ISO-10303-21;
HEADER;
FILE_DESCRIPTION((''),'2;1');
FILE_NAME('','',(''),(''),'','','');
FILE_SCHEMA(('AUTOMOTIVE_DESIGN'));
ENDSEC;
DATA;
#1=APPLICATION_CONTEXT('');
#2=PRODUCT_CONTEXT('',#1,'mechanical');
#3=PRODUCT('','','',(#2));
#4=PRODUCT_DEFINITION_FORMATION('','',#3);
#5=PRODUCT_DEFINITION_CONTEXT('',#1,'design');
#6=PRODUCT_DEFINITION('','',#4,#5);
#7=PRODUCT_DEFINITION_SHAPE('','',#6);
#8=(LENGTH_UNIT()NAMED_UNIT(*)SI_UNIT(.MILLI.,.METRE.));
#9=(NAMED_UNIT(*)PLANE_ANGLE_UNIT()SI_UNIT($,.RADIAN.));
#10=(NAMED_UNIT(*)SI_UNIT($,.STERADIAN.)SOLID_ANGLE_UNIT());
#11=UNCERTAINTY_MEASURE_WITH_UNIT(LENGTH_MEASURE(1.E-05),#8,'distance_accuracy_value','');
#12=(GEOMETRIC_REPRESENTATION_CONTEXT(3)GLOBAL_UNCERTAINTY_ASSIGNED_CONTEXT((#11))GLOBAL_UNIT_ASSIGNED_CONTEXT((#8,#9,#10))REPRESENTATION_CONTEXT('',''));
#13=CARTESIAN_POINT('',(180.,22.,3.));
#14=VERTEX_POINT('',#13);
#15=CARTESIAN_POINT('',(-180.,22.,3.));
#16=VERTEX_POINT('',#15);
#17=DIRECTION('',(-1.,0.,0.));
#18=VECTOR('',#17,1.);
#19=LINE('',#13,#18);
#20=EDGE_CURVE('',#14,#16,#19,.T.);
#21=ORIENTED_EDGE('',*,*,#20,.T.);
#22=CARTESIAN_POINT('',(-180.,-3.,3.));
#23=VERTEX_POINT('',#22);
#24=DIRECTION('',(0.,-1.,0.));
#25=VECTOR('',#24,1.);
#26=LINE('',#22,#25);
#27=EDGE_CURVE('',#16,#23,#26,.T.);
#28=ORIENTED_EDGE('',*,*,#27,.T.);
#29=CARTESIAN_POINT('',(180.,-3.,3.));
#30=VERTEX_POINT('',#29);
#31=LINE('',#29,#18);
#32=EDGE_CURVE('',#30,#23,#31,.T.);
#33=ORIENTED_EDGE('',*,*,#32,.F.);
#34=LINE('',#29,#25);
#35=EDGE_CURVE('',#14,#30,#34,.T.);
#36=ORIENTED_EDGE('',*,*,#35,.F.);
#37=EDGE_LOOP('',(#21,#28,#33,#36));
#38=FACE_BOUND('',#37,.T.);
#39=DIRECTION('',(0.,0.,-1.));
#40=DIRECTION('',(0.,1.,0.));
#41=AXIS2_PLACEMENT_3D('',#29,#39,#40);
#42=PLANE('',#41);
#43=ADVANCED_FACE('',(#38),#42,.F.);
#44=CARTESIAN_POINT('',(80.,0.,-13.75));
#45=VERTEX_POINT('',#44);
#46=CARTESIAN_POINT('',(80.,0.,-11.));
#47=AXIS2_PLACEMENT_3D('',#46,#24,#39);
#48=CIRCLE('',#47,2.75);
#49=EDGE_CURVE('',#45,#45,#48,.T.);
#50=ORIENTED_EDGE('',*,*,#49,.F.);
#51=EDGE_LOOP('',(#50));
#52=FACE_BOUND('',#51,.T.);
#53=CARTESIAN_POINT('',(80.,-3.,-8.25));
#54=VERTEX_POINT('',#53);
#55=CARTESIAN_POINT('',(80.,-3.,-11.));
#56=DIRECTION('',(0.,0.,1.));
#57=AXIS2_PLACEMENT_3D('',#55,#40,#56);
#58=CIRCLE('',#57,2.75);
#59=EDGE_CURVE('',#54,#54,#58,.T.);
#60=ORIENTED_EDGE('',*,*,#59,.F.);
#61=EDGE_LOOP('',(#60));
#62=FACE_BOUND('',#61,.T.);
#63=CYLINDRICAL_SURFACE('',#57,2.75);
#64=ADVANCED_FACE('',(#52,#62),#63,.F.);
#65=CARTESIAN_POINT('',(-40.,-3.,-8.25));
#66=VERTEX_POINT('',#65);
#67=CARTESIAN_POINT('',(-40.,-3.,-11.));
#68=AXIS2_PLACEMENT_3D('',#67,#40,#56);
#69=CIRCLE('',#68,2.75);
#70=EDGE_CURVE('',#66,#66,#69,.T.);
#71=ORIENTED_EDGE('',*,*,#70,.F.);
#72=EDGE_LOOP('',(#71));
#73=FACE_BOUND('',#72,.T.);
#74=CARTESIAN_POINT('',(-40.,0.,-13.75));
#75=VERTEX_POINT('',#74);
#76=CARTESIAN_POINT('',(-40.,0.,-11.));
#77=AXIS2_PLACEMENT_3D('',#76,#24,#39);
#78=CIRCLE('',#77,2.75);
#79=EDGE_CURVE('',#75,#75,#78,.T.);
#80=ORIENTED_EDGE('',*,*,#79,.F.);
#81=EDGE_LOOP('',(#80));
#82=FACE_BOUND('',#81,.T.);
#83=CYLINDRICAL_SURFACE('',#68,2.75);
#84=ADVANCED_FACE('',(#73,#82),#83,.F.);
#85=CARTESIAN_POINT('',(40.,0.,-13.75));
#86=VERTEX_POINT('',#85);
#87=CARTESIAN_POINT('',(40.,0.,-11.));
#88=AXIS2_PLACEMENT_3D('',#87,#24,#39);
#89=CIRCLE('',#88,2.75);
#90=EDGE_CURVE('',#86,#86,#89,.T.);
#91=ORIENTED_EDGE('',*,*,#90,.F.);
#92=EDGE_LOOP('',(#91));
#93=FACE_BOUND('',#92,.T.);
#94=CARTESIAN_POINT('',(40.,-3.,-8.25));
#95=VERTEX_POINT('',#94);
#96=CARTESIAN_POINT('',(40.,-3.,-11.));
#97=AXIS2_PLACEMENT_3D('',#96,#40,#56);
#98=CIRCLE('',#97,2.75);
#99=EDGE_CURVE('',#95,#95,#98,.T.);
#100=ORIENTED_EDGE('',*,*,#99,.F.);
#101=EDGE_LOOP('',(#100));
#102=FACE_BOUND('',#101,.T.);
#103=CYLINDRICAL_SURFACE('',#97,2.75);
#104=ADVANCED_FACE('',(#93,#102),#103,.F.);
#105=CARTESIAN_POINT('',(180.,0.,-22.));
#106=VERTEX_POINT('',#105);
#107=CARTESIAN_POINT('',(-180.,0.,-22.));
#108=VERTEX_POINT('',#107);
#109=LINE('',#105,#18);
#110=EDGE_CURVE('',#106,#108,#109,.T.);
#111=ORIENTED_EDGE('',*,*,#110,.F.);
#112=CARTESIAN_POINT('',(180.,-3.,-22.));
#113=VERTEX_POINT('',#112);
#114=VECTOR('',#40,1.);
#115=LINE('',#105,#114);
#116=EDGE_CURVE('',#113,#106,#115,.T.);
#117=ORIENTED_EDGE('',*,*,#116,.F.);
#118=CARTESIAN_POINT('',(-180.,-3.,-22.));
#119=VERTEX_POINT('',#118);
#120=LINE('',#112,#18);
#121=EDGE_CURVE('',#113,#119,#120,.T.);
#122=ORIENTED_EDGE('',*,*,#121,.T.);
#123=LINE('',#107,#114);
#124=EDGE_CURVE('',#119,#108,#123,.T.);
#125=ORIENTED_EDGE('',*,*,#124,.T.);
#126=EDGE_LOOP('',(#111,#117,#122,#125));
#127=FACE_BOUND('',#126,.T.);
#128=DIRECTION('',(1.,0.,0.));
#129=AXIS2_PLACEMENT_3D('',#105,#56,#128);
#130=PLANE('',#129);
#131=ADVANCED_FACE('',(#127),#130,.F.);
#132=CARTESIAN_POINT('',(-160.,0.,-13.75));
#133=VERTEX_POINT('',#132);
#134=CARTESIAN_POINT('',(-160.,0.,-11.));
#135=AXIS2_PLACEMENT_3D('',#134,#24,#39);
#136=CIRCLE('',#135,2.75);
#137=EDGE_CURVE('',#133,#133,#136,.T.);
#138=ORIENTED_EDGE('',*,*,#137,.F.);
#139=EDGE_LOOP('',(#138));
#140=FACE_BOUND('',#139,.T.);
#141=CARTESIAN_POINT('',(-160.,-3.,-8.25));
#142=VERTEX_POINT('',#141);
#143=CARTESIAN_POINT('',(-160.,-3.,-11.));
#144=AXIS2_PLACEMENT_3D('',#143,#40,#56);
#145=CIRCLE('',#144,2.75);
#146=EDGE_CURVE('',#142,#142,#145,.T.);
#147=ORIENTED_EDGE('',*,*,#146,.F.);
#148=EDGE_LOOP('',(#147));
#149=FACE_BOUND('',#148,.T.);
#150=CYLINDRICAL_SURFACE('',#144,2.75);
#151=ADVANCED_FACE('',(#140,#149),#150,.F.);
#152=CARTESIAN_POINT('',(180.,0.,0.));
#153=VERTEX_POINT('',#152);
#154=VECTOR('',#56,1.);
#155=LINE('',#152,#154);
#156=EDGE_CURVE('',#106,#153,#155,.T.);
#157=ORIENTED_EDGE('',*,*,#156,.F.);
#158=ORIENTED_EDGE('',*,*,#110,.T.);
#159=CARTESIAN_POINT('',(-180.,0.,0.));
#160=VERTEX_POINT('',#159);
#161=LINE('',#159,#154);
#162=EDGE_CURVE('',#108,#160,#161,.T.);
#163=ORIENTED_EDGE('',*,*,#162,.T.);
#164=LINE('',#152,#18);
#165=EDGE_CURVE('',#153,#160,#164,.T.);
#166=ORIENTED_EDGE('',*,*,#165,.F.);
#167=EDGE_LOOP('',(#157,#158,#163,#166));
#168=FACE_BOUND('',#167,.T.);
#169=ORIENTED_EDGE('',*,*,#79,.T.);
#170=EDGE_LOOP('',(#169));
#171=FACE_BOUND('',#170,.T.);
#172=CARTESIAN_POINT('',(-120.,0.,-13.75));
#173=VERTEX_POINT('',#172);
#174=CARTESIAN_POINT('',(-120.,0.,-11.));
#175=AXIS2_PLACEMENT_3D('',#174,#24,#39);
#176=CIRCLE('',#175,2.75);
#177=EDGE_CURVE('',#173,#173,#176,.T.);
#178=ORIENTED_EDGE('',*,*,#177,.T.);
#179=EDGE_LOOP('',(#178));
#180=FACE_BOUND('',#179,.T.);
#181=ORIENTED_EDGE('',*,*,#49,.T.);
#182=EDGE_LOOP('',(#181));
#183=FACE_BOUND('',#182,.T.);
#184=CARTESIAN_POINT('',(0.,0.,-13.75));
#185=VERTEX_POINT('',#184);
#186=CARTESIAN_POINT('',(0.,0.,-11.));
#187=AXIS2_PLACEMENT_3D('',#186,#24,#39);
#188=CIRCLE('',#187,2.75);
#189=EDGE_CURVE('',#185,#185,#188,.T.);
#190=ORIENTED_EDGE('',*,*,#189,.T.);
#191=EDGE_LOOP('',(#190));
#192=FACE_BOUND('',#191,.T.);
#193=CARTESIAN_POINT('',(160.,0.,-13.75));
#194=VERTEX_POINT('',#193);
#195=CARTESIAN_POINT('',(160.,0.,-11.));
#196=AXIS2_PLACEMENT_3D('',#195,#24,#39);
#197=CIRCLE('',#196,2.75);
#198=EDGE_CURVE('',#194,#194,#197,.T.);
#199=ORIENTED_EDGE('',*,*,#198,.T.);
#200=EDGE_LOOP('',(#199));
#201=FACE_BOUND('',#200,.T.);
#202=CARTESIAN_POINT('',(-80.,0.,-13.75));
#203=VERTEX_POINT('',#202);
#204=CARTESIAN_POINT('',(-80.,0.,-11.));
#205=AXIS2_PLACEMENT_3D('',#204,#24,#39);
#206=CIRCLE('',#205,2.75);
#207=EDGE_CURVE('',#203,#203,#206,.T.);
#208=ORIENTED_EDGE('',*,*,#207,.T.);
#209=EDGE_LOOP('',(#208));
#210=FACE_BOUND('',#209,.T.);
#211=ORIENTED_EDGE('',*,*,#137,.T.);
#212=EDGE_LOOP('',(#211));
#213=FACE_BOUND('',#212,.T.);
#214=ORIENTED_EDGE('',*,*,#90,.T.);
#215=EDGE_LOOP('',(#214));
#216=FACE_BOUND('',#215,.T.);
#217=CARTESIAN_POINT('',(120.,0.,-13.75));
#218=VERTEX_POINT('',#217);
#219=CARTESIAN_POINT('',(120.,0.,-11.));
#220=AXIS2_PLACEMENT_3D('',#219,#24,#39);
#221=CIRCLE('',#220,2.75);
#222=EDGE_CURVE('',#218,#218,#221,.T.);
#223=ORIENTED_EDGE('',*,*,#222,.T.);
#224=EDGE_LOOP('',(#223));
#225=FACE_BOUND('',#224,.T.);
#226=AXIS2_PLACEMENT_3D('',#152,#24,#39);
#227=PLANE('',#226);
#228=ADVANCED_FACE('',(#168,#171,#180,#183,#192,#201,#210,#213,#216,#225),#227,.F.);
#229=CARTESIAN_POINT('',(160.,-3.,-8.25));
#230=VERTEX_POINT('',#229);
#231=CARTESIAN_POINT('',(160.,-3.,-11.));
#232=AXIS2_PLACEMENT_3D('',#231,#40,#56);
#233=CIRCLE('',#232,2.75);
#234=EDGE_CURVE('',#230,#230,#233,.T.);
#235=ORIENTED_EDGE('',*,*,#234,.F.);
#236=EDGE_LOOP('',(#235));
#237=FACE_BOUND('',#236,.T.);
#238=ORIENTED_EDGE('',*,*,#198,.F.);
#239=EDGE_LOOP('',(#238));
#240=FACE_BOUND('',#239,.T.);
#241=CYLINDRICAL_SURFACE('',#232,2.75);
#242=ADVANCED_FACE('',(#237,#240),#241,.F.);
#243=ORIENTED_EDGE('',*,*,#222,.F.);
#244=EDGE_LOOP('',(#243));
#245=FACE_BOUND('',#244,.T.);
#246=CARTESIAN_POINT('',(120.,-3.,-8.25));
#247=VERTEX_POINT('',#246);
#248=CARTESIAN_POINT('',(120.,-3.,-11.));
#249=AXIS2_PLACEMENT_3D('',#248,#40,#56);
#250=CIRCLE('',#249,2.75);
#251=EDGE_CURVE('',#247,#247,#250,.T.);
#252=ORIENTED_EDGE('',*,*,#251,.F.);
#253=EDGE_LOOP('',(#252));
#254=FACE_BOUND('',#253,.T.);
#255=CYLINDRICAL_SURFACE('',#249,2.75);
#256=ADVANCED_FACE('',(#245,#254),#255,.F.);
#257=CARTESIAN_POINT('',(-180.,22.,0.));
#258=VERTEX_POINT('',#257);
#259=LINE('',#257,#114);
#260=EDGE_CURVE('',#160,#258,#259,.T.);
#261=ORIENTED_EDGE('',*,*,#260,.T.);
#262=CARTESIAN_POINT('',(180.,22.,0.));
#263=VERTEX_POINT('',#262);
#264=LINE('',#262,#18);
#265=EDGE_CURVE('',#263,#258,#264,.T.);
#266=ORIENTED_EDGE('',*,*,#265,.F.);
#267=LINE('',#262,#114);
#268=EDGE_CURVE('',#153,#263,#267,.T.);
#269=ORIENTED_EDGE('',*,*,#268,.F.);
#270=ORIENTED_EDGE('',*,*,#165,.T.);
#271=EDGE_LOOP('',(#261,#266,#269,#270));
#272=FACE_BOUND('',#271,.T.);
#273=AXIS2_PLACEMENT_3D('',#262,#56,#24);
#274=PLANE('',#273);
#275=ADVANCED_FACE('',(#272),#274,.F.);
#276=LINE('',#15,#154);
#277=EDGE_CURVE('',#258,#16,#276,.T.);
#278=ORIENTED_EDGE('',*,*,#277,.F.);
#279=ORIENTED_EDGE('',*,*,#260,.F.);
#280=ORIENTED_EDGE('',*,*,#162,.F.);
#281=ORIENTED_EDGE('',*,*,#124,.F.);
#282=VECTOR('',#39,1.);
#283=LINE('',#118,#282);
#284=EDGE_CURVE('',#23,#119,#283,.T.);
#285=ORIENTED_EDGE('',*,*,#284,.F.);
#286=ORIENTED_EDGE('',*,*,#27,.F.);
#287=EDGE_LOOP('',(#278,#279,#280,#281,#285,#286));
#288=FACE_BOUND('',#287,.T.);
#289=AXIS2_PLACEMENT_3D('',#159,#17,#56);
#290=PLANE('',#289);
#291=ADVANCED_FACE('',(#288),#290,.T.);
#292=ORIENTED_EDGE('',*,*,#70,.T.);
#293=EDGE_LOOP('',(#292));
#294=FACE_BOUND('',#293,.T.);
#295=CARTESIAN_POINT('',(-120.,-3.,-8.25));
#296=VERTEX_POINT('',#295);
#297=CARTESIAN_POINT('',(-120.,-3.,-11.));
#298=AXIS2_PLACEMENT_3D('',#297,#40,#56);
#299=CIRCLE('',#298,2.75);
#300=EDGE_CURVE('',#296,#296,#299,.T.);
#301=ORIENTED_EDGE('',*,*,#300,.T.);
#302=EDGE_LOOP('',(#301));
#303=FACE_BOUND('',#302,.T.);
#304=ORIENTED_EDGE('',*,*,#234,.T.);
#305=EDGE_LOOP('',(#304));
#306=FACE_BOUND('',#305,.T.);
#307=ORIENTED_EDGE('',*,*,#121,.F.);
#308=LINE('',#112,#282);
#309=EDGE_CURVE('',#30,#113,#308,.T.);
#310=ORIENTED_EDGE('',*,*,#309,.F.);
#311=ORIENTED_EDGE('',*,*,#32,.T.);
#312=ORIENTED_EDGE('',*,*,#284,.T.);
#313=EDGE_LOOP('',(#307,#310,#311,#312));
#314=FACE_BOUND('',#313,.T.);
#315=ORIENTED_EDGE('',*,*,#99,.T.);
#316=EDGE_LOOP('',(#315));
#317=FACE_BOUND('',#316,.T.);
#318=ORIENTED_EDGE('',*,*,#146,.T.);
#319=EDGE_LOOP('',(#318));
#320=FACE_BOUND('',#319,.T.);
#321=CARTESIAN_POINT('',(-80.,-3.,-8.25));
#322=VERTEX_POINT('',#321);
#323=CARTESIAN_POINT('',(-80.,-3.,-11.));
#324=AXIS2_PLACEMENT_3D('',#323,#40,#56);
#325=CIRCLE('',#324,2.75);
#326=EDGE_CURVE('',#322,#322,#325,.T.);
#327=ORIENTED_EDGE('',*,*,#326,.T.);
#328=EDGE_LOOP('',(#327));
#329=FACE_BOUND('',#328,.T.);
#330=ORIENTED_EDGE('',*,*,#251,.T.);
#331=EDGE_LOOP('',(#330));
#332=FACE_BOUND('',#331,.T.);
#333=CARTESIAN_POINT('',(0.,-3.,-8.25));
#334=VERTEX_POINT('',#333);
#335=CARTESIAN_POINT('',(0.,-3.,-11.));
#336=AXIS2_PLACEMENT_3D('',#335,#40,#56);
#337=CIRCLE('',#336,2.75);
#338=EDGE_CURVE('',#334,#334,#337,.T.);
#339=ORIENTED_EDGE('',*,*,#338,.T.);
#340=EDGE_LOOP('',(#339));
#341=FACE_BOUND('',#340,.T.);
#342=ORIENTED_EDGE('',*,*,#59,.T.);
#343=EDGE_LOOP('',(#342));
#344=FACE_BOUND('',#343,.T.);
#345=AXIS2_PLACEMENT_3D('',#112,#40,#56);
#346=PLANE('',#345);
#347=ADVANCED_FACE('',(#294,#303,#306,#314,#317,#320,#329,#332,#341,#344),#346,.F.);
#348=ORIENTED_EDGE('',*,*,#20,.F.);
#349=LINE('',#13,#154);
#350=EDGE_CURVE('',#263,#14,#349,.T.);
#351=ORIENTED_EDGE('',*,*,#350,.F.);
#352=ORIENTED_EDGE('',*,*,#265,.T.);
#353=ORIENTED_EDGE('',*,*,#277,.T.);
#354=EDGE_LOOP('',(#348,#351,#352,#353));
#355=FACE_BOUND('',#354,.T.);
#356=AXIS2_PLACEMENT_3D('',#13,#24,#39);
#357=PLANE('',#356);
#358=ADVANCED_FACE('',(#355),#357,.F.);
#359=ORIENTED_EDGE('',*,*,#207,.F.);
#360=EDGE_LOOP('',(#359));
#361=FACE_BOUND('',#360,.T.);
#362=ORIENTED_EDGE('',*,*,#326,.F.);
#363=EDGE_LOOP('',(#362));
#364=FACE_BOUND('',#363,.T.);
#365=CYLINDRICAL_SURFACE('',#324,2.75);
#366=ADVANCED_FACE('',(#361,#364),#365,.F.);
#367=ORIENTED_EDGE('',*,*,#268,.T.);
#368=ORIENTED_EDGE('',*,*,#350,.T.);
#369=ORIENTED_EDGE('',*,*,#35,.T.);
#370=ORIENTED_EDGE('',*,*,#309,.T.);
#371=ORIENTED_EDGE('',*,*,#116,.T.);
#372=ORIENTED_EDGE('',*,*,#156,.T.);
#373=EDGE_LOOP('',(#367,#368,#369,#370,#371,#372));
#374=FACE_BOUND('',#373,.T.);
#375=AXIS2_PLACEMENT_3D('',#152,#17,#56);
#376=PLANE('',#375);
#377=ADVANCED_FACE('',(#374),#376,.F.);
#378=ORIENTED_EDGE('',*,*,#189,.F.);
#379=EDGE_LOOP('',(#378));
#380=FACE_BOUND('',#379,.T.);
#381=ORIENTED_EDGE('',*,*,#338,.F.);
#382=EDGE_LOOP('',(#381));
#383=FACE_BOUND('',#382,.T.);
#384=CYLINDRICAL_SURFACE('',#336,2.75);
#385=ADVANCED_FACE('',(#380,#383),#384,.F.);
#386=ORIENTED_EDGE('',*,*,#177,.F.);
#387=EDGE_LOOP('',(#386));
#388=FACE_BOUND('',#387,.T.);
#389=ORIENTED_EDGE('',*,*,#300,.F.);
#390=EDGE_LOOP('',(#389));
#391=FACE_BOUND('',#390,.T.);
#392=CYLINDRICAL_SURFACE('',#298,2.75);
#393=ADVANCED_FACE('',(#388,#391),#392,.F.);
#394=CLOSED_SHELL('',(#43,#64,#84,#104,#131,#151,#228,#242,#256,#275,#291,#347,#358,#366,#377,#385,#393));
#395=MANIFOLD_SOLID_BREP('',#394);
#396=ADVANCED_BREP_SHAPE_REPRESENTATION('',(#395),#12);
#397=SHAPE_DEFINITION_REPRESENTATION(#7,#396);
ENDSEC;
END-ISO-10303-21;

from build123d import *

# Parameters (mm, degrees)
BOSS_EXTRUDE1_DEPTH     = 180
CUT_EXTRUDE1_DEPTH      = 183.66909974
CUT_EXTRUDE1_DEPTH_BACK = 183.66909974
SKETCH2_R               = 2.75


with BuildPart() as part:
    # Sketch1 → Boss-Extrude1 (new, symmetric)
    with BuildSketch(Plane(origin=(0, 0, 0), x_dir=(0, 0, -1), z_dir=(1, 0, 0))):
        Polygon((0, 22), (0, 0), (22, 0), (22, -3), (-3, -3), (-3, 22), align=None)
    extrude(amount=BOSS_EXTRUDE1_DEPTH, both=True)

    # Sketch2 → Cut-Extrude1 (cut, two sides: drawn at the far end of the back side and taken through both)
    with BuildSketch(Plane(origin=(0, 0, 0), x_dir=(1, 0, 0), z_dir=(0, 1, 0)).offset(-CUT_EXTRUDE1_DEPTH_BACK)):
        with Locations(Location((-160, 11, 0), (0, 0, 270))):
            Circle(SKETCH2_R)
        with Locations(Location((-120, 11, 0), (0, 0, 270))):
            Circle(SKETCH2_R)
        with Locations(Location((-80, 11, 0), (0, 0, 270))):
            Circle(SKETCH2_R)
        with Locations(Location((-40, 11, 0), (0, 0, 270))):
            Circle(SKETCH2_R)
        with Locations(Location((0, 11, 0), (0, 0, 270))):
            Circle(SKETCH2_R)
        with Locations(Location((40, 11, 0), (0, 0, 270))):
            Circle(SKETCH2_R)
        with Locations(Location((80, 11, 0), (0, 0, 270))):
            Circle(SKETCH2_R)
        with Locations(Location((120, 11, 0), (0, 0, 270))):
            Circle(SKETCH2_R)
        with Locations(Location((160, 11, 0), (0, 0, 270))):
            Circle(SKETCH2_R)
    extrude(amount=CUT_EXTRUDE1_DEPTH + CUT_EXTRUDE1_DEPTH_BACK, mode=Mode.SUBTRACT)


solid = part.part
